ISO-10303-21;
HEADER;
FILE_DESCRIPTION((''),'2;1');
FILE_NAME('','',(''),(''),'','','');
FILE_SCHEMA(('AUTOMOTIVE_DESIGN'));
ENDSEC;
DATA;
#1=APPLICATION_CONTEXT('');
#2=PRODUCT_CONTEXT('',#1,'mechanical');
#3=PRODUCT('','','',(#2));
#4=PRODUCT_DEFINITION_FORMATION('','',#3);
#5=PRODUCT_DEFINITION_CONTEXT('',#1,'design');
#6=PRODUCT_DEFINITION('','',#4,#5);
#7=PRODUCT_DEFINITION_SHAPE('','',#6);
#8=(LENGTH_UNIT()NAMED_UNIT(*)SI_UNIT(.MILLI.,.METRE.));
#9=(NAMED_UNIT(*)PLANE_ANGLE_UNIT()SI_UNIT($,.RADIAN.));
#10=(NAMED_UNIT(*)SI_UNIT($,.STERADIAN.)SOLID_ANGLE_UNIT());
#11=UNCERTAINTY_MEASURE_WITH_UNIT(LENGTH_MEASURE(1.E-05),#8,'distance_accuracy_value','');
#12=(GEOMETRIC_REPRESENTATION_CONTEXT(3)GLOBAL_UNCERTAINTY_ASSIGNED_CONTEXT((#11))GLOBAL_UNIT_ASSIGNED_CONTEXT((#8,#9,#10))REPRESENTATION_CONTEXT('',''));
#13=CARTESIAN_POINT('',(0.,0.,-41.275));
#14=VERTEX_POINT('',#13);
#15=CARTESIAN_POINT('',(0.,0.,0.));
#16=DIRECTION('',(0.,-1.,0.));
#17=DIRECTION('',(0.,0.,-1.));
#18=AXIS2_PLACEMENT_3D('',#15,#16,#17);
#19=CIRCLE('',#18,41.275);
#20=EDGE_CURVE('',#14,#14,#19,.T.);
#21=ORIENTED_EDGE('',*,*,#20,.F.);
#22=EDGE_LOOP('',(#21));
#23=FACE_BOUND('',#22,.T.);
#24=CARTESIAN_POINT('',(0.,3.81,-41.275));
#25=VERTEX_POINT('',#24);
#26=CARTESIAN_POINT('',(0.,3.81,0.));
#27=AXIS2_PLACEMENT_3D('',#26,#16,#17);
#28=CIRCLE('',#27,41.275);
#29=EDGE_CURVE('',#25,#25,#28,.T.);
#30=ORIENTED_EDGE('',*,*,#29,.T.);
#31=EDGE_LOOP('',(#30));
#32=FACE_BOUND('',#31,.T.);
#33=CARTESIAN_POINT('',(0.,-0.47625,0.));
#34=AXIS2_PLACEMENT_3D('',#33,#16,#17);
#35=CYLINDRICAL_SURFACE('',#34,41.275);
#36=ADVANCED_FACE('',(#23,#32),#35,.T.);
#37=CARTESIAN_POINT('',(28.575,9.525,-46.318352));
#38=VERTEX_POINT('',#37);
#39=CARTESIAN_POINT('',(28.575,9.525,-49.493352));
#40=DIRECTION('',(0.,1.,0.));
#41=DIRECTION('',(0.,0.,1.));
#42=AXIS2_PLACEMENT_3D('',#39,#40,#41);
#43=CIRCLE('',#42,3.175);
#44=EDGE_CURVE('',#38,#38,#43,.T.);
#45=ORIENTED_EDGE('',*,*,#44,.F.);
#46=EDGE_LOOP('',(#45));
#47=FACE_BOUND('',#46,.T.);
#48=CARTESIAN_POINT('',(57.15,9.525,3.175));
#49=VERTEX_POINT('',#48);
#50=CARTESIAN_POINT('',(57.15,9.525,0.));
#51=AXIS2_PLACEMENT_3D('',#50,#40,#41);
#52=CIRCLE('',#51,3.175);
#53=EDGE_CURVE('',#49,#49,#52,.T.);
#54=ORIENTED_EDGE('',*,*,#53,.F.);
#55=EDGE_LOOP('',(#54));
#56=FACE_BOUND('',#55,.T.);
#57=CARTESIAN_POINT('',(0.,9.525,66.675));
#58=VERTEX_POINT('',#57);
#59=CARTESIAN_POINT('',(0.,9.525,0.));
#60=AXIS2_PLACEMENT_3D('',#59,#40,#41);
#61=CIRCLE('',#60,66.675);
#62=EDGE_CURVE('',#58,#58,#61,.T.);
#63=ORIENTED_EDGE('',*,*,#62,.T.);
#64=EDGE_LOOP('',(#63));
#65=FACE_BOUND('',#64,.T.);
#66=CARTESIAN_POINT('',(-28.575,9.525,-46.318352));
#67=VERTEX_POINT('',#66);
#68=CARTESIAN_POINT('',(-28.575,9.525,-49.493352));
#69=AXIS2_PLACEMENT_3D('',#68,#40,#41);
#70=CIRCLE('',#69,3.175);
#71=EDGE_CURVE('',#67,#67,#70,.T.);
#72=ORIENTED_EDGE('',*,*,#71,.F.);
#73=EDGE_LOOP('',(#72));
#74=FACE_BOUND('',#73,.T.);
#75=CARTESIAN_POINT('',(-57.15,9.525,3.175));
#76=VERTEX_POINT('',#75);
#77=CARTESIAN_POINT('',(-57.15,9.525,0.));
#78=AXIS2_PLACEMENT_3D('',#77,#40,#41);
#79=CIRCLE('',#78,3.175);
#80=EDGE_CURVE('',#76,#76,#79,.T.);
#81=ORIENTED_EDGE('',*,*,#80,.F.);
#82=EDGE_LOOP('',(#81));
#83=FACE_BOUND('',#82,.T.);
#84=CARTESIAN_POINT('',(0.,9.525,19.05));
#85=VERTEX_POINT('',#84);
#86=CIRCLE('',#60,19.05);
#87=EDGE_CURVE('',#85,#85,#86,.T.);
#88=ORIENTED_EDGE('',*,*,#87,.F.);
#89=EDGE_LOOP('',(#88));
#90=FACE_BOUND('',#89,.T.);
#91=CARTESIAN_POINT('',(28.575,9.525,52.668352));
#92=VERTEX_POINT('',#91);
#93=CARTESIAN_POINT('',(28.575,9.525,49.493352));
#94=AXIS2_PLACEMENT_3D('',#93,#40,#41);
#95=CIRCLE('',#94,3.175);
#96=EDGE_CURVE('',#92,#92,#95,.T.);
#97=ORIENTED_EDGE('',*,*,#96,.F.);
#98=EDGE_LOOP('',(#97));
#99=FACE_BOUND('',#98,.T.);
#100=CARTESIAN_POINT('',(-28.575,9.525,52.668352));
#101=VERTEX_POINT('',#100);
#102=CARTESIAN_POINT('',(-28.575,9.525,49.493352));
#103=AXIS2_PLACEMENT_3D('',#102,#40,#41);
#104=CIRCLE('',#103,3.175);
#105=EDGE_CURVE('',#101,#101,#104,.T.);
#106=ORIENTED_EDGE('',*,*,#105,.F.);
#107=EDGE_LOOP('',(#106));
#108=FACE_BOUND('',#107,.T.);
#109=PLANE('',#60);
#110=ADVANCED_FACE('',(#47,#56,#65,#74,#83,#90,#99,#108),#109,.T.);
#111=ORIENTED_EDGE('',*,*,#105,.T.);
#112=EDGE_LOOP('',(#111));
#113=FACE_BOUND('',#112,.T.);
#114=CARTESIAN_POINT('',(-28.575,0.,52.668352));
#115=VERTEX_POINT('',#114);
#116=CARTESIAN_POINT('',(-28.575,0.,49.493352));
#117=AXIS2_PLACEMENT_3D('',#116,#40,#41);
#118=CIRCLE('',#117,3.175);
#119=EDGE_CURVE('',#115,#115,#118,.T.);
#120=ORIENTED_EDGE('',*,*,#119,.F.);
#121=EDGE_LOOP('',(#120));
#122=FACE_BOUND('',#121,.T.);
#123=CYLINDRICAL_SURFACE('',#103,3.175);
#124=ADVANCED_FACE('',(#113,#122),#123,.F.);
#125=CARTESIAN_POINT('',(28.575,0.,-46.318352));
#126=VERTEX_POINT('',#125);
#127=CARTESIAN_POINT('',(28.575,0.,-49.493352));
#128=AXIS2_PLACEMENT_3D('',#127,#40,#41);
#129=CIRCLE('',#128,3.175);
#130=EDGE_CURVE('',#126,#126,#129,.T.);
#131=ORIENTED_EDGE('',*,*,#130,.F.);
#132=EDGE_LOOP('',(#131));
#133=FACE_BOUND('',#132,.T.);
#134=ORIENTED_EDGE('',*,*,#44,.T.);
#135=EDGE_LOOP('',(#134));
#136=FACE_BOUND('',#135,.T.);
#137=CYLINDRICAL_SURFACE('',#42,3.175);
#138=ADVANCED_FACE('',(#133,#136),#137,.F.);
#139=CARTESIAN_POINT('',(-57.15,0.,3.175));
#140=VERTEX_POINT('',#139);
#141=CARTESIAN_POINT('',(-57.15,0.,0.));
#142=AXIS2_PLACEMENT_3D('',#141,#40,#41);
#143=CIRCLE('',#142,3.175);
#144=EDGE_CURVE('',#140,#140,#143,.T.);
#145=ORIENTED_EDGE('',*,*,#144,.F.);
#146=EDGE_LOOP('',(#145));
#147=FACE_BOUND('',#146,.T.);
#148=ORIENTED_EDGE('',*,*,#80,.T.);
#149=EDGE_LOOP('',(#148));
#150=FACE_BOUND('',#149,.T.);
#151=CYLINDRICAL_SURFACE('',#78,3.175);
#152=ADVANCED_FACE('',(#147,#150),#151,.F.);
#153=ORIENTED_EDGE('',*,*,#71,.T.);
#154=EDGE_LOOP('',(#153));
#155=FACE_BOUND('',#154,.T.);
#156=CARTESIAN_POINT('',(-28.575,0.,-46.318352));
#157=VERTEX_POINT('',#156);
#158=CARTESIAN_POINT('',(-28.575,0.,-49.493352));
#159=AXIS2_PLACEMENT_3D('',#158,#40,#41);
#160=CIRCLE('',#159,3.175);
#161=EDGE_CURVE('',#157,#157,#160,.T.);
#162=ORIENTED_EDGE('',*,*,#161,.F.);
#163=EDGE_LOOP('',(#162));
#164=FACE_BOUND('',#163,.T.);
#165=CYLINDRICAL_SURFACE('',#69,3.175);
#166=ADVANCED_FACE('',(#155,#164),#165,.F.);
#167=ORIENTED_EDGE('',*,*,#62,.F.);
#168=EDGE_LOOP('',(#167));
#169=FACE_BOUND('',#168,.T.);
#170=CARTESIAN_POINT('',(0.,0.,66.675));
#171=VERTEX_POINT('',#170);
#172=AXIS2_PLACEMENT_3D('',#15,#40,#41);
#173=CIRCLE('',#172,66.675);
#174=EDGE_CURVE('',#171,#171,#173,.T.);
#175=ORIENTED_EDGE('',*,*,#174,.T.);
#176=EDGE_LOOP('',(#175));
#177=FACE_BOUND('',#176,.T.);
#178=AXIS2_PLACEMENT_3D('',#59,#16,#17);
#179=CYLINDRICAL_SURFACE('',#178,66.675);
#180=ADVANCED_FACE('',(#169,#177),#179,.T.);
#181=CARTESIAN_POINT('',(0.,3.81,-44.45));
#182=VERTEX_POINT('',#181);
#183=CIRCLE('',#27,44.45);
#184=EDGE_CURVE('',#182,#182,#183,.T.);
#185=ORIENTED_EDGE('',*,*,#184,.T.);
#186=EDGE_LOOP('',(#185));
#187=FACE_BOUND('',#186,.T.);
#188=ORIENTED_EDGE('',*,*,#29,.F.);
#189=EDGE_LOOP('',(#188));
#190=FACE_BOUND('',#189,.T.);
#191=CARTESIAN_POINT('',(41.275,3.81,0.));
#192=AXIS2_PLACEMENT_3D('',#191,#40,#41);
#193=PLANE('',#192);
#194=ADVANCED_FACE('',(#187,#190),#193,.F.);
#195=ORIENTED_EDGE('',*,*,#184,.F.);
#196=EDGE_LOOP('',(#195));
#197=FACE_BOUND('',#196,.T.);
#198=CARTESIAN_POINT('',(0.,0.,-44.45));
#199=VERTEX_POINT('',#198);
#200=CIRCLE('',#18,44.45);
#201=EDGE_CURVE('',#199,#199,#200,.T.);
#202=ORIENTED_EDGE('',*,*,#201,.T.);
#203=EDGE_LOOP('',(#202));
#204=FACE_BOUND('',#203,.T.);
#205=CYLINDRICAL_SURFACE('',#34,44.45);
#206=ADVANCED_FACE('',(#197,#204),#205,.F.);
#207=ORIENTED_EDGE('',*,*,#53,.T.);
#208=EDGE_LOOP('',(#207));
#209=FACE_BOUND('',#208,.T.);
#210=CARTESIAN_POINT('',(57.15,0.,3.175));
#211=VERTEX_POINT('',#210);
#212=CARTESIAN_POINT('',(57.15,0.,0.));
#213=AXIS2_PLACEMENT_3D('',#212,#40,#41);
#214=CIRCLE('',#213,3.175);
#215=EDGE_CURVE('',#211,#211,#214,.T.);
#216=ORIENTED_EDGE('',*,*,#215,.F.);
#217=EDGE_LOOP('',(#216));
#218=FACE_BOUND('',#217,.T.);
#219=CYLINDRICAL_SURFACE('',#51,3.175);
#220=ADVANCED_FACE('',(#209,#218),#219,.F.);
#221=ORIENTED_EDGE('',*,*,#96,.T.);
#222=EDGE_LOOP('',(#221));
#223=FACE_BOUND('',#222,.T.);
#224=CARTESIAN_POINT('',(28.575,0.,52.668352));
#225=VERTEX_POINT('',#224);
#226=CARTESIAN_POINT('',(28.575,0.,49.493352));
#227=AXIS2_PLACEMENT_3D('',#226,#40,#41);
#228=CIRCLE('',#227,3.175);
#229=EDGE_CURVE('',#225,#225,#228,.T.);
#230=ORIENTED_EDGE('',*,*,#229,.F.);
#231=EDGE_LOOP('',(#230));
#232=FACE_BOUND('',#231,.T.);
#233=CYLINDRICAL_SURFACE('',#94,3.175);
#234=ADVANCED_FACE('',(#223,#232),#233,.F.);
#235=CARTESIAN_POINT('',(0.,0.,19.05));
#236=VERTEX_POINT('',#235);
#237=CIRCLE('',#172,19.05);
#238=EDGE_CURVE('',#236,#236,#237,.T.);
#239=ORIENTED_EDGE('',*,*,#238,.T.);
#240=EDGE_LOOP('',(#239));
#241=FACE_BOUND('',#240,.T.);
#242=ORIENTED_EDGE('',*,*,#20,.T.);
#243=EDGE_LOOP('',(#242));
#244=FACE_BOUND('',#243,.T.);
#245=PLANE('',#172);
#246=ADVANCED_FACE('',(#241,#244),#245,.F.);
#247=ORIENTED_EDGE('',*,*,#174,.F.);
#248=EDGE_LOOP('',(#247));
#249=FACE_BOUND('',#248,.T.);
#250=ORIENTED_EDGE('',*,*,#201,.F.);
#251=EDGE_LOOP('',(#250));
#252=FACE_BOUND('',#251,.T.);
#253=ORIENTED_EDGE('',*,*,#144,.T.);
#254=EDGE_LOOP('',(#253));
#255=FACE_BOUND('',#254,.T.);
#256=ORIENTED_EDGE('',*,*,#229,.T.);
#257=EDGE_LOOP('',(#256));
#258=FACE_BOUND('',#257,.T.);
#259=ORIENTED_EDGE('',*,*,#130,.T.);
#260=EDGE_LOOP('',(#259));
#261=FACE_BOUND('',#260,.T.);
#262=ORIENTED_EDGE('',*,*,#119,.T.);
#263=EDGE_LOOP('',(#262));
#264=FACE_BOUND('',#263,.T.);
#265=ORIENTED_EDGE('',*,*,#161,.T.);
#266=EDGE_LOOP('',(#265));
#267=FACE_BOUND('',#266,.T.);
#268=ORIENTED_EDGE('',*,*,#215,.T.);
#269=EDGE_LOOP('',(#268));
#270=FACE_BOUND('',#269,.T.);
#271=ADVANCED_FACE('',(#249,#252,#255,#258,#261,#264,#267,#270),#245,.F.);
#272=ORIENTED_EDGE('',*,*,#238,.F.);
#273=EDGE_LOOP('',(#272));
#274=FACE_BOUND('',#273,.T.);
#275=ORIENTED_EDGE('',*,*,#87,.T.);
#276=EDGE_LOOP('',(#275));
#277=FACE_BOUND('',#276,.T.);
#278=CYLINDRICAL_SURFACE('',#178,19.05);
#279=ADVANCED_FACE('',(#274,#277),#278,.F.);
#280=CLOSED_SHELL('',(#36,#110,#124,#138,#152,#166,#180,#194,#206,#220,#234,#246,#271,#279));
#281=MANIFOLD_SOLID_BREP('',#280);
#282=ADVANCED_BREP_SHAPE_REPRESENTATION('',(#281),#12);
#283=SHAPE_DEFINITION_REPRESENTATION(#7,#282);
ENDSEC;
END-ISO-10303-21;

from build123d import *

# Parameters (mm, degrees)
SKETCH1_R                       = 66.675
SKETCH1_R_2                     = 19.05
BOSS_EXTRUDE1_DEPTH             = 9.525
SKETCH2_W                       = 3.175
SKETCH2_H                       = 3.81
F_1_4_0_25_DIAMETER_HOLE1_D     = 6.35
F_1_4_0_25_DIAMETER_HOLE1_DEPTH = 9.526
CIRPATTERN1_COUNT               = 6


with BuildPart() as part:
    # Sketch1 → Boss-Extrude1 (new body)
    with BuildSketch(Plane(origin=(0, 0, 0), x_dir=(1, 0, 0), z_dir=(0, 1, 0))):
        Circle(SKETCH1_R)
        Circle(SKETCH1_R_2, mode=Mode.SUBTRACT)
    extrude(amount=BOSS_EXTRUDE1_DEPTH)

    # Sketch2 → Cut-Revolve1 (revolve, cut)
    with BuildSketch(Plane.XY):
        with Locations((42.8625, 1.905)):
            Rectangle(SKETCH2_W, SKETCH2_H)
    revolve(axis=Axis((0, -0.47625, 0), (0, 1, 0)), mode=Mode.SUBTRACT)

    # 1/4 (0.25) Diameter Hole1
    with Locations(Plane(origin=(0, 9.525, 0), x_dir=(1, 0, 0), z_dir=(0, 1, 0))):
        with Locations((57.15, 0)):
            f_1_4_0_25_diameter_hole1 = Hole(F_1_4_0_25_DIAMETER_HOLE1_D / 2, depth=F_1_4_0_25_DIAMETER_HOLE1_DEPTH)

    # CirPattern1: 1/4 (0.25) Diameter Hole1 ×6 about axis
    cirpattern1_axis = Axis((0, 0, 0), (0, 1, 0))
    for i in range(1, CIRPATTERN1_COUNT):
        add(f_1_4_0_25_diameter_hole1.rotate(cirpattern1_axis, i * 360 / CIRPATTERN1_COUNT), mode=Mode.SUBTRACT)


solid = part.part
